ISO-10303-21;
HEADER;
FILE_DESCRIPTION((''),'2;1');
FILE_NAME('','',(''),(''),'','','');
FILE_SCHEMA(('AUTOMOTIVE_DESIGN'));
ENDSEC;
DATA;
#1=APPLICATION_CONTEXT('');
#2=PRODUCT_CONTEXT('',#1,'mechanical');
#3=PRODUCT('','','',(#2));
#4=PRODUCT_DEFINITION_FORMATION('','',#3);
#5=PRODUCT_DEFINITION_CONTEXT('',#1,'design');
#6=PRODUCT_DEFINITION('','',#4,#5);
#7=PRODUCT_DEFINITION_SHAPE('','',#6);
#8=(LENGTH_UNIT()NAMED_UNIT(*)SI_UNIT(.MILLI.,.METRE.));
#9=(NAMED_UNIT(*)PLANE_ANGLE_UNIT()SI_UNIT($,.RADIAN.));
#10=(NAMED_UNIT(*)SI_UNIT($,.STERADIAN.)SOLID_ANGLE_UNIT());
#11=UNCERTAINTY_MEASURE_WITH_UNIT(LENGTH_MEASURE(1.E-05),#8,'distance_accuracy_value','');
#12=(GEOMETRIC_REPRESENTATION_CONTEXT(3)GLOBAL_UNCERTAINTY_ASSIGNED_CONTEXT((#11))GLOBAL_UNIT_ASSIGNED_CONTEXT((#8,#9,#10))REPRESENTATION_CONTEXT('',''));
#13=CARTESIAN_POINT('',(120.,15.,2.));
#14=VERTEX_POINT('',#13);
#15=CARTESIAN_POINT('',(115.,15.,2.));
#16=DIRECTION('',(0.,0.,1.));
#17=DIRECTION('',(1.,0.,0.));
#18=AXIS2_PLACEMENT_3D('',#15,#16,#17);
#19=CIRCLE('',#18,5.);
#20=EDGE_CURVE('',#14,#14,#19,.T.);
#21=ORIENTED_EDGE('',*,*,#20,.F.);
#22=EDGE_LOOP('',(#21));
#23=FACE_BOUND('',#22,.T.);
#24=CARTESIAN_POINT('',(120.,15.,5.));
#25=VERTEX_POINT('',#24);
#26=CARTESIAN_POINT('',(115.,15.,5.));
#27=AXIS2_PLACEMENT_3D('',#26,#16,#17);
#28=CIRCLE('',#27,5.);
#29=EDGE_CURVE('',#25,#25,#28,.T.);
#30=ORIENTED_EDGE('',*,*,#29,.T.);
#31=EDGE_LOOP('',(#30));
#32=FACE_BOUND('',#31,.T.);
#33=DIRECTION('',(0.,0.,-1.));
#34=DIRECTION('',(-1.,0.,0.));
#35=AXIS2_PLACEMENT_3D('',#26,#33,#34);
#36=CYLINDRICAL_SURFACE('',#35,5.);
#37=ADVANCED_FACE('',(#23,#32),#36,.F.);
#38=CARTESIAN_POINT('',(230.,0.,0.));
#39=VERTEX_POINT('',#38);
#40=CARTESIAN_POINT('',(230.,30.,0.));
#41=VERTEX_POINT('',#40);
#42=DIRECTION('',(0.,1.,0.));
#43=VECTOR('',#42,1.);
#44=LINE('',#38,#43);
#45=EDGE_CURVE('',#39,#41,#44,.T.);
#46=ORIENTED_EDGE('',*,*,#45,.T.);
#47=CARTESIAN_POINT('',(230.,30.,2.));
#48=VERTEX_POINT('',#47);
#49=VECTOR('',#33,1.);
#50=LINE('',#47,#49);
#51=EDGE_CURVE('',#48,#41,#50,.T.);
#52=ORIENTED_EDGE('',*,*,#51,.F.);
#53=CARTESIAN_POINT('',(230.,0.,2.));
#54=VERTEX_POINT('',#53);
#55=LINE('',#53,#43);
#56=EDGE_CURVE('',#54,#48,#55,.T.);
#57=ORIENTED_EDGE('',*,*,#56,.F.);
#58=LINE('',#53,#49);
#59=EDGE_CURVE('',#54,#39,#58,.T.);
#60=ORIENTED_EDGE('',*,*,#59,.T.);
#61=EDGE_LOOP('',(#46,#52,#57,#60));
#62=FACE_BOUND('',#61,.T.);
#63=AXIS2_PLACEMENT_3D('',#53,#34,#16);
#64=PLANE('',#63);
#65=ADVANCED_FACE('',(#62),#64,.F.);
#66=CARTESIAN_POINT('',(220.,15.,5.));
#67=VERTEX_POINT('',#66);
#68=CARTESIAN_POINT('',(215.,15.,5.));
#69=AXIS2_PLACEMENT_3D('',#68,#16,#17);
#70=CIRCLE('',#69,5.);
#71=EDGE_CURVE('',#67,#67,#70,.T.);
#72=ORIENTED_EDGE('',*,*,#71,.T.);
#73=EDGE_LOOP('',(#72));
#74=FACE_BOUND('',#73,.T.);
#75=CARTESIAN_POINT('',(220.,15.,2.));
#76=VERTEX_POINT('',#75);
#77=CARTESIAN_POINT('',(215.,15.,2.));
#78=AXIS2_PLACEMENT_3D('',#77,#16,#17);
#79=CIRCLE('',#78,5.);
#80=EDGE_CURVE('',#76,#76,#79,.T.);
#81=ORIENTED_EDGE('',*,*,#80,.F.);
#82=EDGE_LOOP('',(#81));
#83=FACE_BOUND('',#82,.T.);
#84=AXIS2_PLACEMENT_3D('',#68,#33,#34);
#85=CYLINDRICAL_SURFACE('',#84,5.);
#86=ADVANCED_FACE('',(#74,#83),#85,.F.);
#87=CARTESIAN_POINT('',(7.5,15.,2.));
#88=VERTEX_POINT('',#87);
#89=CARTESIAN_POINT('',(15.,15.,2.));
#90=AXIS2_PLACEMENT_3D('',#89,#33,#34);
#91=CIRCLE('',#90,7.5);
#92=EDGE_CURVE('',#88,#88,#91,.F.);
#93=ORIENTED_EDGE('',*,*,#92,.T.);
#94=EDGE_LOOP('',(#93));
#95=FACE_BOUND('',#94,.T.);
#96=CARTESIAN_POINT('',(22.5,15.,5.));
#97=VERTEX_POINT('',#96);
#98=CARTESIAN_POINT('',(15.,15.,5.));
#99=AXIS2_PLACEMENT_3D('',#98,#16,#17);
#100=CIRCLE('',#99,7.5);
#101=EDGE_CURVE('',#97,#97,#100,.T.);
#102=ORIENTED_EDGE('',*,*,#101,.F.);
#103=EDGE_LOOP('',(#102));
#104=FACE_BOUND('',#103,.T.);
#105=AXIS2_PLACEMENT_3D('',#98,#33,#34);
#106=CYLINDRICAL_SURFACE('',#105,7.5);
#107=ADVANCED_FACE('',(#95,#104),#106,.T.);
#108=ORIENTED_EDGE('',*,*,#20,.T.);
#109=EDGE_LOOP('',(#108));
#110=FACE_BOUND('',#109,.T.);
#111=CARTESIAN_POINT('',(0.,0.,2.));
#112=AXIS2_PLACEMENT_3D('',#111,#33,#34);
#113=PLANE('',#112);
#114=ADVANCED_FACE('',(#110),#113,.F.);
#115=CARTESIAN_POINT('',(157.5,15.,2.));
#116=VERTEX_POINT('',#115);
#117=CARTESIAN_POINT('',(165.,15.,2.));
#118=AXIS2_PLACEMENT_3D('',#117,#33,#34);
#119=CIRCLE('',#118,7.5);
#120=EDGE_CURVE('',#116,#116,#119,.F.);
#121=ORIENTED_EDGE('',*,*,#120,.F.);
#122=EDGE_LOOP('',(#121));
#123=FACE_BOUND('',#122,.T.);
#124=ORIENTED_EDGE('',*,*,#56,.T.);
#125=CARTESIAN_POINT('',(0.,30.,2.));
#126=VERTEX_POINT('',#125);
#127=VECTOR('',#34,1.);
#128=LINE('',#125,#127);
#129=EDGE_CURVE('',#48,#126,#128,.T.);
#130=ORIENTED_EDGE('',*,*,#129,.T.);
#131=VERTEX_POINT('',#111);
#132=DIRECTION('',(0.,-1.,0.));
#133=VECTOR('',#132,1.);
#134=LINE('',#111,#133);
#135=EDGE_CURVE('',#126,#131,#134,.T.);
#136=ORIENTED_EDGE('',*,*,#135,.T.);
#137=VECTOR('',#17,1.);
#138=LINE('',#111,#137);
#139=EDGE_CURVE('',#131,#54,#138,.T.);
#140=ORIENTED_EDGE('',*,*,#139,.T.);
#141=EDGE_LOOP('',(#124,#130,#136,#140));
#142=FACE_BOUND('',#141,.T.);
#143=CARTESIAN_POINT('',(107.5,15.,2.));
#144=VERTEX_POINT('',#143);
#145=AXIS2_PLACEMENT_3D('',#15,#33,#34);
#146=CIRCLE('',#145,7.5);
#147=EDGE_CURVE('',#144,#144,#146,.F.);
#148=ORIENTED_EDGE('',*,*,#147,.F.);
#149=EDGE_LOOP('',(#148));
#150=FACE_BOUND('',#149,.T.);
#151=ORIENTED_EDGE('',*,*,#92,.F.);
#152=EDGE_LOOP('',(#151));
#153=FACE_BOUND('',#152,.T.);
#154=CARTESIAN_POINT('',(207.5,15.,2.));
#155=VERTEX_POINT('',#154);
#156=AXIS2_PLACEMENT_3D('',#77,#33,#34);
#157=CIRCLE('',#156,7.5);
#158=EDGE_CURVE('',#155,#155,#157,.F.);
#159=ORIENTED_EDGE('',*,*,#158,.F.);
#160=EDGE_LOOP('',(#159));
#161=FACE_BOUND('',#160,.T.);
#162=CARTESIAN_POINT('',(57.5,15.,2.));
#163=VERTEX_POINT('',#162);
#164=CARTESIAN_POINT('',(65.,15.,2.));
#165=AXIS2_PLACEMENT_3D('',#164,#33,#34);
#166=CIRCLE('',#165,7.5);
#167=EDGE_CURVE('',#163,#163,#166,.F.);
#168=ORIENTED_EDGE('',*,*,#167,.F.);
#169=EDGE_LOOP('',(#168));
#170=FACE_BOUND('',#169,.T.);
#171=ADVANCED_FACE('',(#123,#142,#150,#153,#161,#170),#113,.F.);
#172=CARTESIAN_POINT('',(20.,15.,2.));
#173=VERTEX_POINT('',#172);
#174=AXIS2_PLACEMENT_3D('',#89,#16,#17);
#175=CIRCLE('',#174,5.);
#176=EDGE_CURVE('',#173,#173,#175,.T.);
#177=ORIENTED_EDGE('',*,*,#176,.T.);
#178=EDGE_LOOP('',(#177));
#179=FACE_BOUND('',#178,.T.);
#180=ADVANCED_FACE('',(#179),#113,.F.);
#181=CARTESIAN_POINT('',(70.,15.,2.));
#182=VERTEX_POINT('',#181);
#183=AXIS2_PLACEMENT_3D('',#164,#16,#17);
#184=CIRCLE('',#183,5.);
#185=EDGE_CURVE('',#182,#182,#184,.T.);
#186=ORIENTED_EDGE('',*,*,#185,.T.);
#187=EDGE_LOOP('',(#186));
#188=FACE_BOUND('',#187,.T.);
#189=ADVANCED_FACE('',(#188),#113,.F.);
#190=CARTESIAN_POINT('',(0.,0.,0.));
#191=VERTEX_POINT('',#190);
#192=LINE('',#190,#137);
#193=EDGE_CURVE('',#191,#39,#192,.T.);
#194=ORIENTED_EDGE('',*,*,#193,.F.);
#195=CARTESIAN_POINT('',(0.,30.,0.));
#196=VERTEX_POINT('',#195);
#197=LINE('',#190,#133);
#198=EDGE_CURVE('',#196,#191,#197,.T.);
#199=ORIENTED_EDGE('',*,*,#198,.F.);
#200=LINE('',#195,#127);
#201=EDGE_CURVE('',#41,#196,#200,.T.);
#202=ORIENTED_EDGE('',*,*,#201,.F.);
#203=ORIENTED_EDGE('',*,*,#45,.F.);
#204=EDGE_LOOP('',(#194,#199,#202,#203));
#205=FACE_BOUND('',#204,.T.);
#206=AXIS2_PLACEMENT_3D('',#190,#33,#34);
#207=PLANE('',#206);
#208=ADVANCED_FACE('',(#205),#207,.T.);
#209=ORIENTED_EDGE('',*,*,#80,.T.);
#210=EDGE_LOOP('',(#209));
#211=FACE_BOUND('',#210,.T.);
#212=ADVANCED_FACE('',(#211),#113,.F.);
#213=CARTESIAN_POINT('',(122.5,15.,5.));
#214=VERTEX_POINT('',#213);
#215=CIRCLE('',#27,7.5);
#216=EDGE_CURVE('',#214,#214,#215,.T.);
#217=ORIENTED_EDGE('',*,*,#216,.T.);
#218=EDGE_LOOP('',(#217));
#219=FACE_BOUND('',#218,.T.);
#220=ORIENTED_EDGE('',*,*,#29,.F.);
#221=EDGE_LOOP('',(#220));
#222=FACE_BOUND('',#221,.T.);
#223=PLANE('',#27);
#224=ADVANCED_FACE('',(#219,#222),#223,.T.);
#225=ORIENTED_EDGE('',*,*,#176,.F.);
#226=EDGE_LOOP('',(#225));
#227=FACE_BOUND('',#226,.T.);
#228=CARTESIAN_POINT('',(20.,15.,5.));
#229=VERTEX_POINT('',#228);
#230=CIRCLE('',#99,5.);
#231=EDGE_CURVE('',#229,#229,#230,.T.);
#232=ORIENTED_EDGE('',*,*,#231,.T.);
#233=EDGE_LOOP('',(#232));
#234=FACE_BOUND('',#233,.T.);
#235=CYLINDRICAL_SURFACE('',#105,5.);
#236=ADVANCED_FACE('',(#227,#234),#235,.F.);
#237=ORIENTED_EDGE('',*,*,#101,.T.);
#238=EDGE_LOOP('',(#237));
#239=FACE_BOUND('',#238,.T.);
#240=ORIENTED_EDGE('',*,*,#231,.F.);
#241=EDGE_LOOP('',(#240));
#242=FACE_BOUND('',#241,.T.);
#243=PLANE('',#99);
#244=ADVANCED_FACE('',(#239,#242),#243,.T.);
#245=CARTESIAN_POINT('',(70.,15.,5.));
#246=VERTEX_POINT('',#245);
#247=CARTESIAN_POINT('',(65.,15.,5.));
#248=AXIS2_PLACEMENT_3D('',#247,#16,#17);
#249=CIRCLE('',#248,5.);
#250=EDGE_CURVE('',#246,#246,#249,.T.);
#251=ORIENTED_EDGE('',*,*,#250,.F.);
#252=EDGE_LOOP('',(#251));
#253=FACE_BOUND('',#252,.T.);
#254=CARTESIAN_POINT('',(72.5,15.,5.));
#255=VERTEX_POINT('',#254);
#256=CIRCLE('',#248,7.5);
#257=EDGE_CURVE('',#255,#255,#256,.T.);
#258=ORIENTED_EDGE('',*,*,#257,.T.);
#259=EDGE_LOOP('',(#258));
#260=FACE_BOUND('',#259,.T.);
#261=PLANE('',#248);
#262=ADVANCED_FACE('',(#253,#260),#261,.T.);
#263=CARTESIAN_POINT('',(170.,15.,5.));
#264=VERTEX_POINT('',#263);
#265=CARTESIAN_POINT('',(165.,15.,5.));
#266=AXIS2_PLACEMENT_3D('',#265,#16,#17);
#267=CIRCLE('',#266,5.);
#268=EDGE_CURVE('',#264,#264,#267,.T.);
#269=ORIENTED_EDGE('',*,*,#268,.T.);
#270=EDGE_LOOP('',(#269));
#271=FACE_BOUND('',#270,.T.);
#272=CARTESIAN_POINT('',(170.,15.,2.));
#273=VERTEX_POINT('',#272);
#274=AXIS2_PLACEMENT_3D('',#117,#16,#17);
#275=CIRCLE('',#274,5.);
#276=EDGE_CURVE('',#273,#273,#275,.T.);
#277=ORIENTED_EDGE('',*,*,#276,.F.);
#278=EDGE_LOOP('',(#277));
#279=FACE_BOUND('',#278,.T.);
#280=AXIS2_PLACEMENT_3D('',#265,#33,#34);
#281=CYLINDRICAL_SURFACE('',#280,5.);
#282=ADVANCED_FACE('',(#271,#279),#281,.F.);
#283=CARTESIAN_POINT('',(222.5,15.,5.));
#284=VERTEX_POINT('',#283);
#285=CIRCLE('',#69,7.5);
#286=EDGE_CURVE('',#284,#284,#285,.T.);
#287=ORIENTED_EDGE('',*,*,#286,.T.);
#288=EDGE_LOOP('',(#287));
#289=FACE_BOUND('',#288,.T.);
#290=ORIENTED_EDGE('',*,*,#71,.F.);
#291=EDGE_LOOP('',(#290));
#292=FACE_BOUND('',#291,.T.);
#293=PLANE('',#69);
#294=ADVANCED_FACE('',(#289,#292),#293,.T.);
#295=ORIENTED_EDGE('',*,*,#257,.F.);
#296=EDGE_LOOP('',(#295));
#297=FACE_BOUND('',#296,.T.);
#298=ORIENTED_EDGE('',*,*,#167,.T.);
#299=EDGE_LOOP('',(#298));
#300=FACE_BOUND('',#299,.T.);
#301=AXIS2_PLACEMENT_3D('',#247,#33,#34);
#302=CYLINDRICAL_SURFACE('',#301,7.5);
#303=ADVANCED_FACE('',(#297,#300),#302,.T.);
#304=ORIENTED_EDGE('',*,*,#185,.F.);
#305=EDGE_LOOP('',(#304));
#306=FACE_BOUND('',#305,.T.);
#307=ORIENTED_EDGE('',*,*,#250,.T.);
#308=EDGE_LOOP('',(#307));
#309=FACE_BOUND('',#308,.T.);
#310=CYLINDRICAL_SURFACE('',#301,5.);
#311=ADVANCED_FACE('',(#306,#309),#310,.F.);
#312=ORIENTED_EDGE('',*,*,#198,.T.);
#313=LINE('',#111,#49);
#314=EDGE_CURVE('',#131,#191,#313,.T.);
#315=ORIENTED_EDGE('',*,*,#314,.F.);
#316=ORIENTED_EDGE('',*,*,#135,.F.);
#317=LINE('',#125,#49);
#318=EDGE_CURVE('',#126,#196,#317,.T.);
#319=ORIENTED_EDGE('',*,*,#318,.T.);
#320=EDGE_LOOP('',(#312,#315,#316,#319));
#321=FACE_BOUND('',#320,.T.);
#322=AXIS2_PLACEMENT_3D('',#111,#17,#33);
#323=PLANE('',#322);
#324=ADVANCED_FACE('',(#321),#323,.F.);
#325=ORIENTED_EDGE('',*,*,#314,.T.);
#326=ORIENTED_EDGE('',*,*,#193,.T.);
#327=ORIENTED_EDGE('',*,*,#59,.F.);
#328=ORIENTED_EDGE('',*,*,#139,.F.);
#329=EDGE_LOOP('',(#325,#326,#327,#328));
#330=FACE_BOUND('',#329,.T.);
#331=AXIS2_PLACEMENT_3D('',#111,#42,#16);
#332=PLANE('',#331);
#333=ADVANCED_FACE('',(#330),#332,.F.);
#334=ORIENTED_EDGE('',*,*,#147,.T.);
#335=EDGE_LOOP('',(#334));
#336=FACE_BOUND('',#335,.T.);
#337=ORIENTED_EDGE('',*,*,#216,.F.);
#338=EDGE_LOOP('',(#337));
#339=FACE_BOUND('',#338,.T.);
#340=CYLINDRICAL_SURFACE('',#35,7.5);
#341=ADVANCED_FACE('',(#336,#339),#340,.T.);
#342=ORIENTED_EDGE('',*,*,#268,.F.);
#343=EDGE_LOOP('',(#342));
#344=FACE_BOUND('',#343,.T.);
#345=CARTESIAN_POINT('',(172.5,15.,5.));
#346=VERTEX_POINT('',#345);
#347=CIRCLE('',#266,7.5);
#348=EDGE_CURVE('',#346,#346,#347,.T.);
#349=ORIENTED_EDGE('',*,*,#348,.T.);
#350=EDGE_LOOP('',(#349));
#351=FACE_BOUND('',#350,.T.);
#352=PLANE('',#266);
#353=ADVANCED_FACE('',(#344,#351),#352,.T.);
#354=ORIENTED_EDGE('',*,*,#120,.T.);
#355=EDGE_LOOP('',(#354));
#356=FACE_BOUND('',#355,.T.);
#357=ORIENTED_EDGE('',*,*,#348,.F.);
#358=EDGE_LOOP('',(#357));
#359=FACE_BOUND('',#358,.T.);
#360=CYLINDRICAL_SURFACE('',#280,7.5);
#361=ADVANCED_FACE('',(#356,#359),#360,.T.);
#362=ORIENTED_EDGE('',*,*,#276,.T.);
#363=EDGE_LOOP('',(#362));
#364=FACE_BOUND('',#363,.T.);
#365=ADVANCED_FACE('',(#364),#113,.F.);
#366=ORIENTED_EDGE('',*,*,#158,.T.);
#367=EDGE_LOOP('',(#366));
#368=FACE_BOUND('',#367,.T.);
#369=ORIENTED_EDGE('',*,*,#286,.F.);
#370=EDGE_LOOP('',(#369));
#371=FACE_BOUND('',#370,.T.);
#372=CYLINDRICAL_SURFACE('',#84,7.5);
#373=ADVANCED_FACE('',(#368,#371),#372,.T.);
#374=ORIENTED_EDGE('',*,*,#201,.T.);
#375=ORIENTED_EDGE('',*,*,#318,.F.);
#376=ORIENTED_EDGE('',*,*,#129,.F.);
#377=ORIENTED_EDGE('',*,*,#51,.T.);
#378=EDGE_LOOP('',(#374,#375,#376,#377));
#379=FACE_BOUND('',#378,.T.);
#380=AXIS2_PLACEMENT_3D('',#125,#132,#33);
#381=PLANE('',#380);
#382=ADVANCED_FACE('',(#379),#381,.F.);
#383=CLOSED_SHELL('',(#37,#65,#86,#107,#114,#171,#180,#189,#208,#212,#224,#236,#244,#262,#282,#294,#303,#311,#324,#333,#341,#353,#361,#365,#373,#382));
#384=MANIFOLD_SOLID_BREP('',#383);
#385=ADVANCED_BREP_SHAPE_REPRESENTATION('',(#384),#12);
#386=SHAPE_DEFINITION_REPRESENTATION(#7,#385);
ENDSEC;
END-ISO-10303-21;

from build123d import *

# Parameters (mm, degrees)
ESQUISSE1_W        = 230
ESQUISSE1_H        = 30
BOSS_EXTRU_1_DEPTH = 2
ESQUISSE2_R        = 7.5
ESQUISSE2_R_2      = 5
BOSS_EXTRU_2_DEPTH = 3


with BuildPart() as part:
    # Esquisse1 → Boss.-Extru.1 (new body)
    with BuildSketch(Plane.XY):
        with Locations((115, 15)):
            Rectangle(ESQUISSE1_W, ESQUISSE1_H)
    extrude(amount=BOSS_EXTRU_1_DEPTH)

    # Esquisse2 → Boss.-Extru.2 (add)
    # profile 1 of 5: a face of its own
    with BuildSketch(Plane.XY.offset(2)):
        with Locations(Location((15, 15, 0), (0, 0, 180))):
            Circle(ESQUISSE2_R)
        with Locations((15, 15)):
            Circle(ESQUISSE2_R_2, mode=Mode.SUBTRACT)
    # profile 2 of 5: a face of its own
    with BuildSketch(Plane.XY.offset(2)):
        with Locations(Location((65, 15, 0), (0, 0, 180))):
            Circle(ESQUISSE2_R)
        with Locations((65, 15)):
            Circle(ESQUISSE2_R_2, mode=Mode.SUBTRACT)
    # profile 3 of 5: a face of its own
    with BuildSketch(Plane.XY.offset(2)):
        with Locations(Location((115, 15, 0), (0, 0, 180))):
            Circle(ESQUISSE2_R)
        with Locations((115, 15)):
            Circle(ESQUISSE2_R_2, mode=Mode.SUBTRACT)
    # profile 4 of 5: a face of its own
    with BuildSketch(Plane.XY.offset(2)):
        with Locations(Location((165, 15, 0), (0, 0, 180))):
            Circle(ESQUISSE2_R)
        with Locations((165, 15)):
            Circle(ESQUISSE2_R_2, mode=Mode.SUBTRACT)
    # profile 5 of 5: a face of its own
    with BuildSketch(Plane.XY.offset(2)):
        with Locations(Location((215, 15, 0), (0, 0, 180))):
            Circle(ESQUISSE2_R)
        with Locations((215, 15)):
            Circle(ESQUISSE2_R_2, mode=Mode.SUBTRACT)
    extrude(amount=BOSS_EXTRU_2_DEPTH)


solid = part.part
